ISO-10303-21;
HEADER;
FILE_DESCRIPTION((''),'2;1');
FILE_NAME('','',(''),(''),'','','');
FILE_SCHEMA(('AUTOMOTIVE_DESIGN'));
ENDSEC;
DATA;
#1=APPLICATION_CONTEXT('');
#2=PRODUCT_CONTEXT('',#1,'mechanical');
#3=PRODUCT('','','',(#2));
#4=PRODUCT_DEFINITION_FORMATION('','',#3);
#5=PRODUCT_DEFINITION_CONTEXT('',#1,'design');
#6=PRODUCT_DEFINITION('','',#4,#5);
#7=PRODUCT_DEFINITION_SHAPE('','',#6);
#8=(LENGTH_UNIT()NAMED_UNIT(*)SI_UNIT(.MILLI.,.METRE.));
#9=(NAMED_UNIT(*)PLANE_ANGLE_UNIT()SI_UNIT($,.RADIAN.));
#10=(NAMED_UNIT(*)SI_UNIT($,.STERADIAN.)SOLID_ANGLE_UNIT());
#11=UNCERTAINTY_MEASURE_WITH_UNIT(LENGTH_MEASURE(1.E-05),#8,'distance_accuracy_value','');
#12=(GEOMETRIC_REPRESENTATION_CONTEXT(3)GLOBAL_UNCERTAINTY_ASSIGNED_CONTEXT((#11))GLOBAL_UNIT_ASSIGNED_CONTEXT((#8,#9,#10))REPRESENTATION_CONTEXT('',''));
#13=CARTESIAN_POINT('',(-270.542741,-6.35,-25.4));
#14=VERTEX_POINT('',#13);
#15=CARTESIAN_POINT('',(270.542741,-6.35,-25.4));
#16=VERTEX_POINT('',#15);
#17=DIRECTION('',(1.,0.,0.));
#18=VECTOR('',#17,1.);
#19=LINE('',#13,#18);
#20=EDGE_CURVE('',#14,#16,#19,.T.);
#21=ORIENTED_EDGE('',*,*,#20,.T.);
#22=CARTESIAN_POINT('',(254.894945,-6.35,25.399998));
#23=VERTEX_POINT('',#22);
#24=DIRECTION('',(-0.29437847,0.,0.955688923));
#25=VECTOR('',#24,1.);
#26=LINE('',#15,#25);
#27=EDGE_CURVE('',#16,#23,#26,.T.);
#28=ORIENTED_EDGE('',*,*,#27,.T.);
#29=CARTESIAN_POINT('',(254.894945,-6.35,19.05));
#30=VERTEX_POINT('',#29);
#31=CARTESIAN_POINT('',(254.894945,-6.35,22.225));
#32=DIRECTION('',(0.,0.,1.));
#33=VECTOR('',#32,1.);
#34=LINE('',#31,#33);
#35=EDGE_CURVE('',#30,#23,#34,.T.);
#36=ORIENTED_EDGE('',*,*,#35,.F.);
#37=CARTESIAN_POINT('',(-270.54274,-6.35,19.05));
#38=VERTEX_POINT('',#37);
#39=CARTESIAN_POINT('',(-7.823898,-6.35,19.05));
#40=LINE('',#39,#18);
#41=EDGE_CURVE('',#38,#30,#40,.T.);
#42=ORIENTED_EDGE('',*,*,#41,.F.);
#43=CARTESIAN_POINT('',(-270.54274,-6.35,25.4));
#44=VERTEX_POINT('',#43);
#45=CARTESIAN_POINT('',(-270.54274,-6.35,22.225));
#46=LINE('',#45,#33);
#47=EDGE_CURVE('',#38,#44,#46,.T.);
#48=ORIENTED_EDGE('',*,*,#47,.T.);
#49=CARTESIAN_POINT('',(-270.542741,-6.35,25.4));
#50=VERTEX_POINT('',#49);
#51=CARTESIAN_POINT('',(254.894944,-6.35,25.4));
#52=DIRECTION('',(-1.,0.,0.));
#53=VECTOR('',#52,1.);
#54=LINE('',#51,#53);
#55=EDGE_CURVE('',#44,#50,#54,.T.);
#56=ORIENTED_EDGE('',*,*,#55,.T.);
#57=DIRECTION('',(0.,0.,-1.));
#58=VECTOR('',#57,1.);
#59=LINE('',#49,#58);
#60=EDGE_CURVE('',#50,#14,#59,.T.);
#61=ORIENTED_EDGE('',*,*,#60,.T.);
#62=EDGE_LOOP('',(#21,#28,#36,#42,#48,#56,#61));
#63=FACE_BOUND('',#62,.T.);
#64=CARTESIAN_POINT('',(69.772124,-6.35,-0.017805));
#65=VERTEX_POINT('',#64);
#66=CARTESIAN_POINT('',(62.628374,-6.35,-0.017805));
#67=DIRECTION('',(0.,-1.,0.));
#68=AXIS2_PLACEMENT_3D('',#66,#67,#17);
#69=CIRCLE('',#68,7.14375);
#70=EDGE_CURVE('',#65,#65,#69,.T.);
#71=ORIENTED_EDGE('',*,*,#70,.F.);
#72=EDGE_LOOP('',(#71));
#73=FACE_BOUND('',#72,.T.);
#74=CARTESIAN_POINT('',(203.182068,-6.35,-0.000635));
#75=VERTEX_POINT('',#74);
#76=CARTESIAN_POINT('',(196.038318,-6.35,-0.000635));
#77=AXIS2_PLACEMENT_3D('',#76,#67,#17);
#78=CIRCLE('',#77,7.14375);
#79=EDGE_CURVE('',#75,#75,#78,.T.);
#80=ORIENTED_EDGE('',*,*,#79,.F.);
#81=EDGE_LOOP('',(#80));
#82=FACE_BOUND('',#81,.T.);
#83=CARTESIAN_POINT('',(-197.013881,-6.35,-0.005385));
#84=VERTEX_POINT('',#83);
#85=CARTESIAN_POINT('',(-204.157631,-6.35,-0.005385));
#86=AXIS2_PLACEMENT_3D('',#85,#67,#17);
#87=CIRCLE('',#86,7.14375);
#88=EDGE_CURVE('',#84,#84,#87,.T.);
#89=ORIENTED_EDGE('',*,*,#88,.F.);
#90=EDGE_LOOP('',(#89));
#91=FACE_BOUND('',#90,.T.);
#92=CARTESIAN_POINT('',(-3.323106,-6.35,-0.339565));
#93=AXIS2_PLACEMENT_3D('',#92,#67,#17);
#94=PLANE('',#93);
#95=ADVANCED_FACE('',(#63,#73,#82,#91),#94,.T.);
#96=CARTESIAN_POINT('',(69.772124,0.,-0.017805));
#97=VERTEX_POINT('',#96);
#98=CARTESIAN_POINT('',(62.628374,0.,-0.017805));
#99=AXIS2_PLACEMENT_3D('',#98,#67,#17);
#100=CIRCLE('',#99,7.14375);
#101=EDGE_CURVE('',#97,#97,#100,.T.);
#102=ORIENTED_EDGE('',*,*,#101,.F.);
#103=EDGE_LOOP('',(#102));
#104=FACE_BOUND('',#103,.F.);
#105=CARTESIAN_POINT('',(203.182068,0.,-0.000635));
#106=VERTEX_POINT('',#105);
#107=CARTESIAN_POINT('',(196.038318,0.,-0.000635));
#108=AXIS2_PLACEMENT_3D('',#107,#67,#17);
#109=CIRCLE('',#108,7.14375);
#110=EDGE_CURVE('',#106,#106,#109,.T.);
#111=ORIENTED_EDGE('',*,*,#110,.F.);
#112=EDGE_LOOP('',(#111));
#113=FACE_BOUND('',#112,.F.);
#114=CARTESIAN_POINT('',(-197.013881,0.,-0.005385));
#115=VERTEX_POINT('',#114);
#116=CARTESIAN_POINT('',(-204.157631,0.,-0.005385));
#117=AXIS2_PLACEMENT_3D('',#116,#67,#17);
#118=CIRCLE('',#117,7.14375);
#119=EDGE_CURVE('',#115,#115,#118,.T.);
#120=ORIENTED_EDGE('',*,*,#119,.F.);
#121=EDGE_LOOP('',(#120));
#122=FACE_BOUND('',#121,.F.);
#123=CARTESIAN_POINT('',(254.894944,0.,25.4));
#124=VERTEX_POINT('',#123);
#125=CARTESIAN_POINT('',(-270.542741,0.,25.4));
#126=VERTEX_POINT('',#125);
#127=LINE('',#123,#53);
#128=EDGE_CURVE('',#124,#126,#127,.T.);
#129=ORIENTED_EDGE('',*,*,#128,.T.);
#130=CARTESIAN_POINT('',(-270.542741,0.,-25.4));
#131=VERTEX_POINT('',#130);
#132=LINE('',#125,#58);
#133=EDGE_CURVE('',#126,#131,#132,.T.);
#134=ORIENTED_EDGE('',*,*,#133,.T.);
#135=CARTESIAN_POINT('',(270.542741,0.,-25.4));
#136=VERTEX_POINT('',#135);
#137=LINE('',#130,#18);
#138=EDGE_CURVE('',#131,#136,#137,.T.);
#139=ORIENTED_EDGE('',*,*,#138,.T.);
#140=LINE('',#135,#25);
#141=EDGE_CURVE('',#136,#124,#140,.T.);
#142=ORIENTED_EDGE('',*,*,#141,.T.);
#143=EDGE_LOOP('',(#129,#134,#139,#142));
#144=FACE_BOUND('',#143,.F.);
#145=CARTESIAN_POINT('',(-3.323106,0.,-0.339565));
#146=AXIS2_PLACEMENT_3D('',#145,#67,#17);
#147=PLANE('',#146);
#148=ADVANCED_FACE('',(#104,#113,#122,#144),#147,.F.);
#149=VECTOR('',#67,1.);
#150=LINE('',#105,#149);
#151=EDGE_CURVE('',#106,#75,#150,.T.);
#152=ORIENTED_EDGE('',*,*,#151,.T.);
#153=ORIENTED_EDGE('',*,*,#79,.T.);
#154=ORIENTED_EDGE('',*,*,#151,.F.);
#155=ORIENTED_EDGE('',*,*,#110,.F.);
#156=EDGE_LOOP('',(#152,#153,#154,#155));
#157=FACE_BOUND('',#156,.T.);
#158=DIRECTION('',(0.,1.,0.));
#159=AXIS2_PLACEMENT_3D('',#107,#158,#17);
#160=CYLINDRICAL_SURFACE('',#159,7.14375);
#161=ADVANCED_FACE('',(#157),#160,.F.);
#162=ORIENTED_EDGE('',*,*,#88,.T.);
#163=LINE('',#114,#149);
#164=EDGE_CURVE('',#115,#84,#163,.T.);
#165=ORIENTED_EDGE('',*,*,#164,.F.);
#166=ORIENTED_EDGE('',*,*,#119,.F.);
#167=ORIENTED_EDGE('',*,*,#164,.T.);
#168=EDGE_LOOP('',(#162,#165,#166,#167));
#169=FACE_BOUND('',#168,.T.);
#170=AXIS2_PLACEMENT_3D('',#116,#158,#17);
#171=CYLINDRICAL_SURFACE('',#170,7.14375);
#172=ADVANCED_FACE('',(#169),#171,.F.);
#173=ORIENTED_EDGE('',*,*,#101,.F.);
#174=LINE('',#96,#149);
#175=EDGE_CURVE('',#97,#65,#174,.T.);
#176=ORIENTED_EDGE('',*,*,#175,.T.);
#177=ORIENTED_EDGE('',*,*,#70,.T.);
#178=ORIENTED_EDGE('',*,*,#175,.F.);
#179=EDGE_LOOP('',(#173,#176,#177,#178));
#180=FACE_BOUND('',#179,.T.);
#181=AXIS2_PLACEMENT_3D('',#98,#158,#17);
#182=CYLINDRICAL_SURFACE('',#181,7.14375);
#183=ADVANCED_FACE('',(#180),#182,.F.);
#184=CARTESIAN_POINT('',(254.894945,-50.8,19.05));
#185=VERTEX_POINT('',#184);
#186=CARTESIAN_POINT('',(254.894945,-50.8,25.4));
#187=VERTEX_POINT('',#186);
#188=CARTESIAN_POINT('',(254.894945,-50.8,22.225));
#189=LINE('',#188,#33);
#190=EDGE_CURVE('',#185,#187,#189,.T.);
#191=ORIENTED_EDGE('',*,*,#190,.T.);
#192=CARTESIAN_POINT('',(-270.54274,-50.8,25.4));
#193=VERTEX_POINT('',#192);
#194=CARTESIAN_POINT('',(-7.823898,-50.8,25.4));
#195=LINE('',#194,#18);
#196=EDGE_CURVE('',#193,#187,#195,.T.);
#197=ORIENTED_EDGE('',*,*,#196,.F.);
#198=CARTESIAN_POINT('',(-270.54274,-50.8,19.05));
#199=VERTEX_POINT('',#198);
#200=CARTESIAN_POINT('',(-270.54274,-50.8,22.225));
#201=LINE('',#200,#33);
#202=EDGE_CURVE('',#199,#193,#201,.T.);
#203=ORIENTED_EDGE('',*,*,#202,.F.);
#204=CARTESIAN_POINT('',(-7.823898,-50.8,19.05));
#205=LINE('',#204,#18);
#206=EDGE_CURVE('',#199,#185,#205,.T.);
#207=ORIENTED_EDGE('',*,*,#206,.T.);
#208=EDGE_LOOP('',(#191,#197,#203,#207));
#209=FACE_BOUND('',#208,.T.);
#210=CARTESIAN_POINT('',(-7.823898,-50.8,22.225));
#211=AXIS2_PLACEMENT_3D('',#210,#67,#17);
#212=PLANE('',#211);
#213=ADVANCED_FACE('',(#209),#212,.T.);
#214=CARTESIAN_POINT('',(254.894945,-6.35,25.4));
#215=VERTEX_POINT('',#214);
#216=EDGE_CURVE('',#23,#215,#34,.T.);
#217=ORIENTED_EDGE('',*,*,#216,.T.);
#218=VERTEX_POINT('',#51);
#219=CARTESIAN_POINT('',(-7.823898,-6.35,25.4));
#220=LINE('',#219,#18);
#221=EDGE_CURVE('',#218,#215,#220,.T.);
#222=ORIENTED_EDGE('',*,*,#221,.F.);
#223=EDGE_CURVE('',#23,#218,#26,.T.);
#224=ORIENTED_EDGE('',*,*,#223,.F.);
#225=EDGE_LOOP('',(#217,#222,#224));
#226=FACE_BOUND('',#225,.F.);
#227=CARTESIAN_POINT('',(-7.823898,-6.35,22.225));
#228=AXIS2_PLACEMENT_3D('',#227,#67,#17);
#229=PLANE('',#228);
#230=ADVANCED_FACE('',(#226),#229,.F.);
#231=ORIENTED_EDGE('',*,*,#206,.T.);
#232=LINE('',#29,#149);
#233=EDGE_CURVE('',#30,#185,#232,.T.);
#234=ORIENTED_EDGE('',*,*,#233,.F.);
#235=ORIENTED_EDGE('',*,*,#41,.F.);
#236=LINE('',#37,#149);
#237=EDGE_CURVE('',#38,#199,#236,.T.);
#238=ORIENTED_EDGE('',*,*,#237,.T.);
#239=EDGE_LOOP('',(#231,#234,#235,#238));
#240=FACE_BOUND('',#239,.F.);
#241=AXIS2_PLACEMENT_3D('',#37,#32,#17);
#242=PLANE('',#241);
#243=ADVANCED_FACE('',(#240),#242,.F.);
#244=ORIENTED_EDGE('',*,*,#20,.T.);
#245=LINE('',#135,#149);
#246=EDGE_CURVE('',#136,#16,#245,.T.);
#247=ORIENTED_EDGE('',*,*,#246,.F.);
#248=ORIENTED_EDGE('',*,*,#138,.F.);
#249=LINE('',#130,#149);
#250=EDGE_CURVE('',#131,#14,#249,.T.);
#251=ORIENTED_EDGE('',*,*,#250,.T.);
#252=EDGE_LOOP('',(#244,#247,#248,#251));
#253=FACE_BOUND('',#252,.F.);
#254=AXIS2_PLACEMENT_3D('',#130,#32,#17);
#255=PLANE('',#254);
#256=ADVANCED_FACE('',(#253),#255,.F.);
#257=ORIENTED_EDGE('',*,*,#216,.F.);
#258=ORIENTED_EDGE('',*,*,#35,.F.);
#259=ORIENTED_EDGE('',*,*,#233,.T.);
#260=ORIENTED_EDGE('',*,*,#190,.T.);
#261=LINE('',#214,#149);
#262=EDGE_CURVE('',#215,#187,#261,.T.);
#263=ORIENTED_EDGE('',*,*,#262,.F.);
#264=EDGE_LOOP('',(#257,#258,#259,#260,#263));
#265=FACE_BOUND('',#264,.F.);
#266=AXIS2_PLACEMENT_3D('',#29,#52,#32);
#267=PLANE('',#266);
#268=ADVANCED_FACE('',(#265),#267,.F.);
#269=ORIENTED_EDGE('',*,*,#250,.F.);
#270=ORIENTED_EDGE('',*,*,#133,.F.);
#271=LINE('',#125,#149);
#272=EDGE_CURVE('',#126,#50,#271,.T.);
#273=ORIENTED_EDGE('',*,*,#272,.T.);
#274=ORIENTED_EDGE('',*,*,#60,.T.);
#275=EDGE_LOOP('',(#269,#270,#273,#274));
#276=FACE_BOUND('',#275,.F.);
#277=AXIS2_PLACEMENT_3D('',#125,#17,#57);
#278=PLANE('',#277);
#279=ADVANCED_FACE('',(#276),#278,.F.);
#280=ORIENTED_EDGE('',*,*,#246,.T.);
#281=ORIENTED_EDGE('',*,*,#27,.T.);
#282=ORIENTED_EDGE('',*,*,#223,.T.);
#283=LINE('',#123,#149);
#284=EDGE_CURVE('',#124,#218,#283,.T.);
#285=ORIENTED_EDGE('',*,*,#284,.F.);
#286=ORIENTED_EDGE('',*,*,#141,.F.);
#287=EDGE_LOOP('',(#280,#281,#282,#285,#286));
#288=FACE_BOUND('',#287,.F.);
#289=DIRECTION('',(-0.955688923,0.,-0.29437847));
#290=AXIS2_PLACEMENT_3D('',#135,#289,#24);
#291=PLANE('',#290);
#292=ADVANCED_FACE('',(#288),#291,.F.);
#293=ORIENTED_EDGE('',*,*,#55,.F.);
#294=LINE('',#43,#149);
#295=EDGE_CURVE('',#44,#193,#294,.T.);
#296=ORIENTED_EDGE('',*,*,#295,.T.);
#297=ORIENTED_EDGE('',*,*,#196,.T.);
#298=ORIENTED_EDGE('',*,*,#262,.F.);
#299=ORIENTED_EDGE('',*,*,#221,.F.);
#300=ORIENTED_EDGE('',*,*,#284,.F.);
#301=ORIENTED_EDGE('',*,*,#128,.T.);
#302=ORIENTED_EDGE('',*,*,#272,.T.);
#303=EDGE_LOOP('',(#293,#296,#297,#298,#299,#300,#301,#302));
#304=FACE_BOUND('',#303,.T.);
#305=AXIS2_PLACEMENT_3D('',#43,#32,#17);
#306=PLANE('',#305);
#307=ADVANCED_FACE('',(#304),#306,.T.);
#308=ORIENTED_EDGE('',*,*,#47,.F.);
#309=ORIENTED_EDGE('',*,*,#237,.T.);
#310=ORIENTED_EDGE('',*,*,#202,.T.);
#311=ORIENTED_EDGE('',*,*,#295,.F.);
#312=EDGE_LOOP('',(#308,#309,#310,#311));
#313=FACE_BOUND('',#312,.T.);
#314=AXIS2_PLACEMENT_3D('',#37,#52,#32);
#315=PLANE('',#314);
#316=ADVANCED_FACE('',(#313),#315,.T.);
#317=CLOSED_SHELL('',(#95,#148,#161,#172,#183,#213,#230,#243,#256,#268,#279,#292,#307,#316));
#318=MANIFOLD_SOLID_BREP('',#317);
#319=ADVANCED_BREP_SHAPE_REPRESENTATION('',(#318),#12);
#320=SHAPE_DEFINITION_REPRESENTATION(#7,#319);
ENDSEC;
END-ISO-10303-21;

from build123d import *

# Parameters (mm, degrees)
F0_R     = 7.14375
F1_DEPTH = 6.35
F2_W     = 525.437685
F2_H     = 6.35
F3_DEPTH = 44.45


with BuildPart() as f1:
    # F0 (on Front) → F1 (new body)
    with BuildSketch(Plane.XZ):
        Polygon((270.542741, -25.4), (254.894944, 25.4), (-270.542741, 25.4), (-270.542741, -25.4), align=None)
        with Locations((-204.157631, -0.005385)):
            Circle(F0_R, mode=Mode.SUBTRACT)
        with Locations((62.628374, -0.017805)):
            Circle(F0_R, mode=Mode.SUBTRACT)
        with Locations((196.038318, -0.000635)):
            Circle(F0_R, mode=Mode.SUBTRACT)
    extrude(amount=F1_DEPTH)

    # F2 (on face) → F3 (join)
    with BuildSketch(Plane.XZ.offset(6.35)):
        with Locations((-7.823898, 22.225)):
            Rectangle(F2_W, F2_H)
    extrude(amount=F3_DEPTH)


solid = f1.part
